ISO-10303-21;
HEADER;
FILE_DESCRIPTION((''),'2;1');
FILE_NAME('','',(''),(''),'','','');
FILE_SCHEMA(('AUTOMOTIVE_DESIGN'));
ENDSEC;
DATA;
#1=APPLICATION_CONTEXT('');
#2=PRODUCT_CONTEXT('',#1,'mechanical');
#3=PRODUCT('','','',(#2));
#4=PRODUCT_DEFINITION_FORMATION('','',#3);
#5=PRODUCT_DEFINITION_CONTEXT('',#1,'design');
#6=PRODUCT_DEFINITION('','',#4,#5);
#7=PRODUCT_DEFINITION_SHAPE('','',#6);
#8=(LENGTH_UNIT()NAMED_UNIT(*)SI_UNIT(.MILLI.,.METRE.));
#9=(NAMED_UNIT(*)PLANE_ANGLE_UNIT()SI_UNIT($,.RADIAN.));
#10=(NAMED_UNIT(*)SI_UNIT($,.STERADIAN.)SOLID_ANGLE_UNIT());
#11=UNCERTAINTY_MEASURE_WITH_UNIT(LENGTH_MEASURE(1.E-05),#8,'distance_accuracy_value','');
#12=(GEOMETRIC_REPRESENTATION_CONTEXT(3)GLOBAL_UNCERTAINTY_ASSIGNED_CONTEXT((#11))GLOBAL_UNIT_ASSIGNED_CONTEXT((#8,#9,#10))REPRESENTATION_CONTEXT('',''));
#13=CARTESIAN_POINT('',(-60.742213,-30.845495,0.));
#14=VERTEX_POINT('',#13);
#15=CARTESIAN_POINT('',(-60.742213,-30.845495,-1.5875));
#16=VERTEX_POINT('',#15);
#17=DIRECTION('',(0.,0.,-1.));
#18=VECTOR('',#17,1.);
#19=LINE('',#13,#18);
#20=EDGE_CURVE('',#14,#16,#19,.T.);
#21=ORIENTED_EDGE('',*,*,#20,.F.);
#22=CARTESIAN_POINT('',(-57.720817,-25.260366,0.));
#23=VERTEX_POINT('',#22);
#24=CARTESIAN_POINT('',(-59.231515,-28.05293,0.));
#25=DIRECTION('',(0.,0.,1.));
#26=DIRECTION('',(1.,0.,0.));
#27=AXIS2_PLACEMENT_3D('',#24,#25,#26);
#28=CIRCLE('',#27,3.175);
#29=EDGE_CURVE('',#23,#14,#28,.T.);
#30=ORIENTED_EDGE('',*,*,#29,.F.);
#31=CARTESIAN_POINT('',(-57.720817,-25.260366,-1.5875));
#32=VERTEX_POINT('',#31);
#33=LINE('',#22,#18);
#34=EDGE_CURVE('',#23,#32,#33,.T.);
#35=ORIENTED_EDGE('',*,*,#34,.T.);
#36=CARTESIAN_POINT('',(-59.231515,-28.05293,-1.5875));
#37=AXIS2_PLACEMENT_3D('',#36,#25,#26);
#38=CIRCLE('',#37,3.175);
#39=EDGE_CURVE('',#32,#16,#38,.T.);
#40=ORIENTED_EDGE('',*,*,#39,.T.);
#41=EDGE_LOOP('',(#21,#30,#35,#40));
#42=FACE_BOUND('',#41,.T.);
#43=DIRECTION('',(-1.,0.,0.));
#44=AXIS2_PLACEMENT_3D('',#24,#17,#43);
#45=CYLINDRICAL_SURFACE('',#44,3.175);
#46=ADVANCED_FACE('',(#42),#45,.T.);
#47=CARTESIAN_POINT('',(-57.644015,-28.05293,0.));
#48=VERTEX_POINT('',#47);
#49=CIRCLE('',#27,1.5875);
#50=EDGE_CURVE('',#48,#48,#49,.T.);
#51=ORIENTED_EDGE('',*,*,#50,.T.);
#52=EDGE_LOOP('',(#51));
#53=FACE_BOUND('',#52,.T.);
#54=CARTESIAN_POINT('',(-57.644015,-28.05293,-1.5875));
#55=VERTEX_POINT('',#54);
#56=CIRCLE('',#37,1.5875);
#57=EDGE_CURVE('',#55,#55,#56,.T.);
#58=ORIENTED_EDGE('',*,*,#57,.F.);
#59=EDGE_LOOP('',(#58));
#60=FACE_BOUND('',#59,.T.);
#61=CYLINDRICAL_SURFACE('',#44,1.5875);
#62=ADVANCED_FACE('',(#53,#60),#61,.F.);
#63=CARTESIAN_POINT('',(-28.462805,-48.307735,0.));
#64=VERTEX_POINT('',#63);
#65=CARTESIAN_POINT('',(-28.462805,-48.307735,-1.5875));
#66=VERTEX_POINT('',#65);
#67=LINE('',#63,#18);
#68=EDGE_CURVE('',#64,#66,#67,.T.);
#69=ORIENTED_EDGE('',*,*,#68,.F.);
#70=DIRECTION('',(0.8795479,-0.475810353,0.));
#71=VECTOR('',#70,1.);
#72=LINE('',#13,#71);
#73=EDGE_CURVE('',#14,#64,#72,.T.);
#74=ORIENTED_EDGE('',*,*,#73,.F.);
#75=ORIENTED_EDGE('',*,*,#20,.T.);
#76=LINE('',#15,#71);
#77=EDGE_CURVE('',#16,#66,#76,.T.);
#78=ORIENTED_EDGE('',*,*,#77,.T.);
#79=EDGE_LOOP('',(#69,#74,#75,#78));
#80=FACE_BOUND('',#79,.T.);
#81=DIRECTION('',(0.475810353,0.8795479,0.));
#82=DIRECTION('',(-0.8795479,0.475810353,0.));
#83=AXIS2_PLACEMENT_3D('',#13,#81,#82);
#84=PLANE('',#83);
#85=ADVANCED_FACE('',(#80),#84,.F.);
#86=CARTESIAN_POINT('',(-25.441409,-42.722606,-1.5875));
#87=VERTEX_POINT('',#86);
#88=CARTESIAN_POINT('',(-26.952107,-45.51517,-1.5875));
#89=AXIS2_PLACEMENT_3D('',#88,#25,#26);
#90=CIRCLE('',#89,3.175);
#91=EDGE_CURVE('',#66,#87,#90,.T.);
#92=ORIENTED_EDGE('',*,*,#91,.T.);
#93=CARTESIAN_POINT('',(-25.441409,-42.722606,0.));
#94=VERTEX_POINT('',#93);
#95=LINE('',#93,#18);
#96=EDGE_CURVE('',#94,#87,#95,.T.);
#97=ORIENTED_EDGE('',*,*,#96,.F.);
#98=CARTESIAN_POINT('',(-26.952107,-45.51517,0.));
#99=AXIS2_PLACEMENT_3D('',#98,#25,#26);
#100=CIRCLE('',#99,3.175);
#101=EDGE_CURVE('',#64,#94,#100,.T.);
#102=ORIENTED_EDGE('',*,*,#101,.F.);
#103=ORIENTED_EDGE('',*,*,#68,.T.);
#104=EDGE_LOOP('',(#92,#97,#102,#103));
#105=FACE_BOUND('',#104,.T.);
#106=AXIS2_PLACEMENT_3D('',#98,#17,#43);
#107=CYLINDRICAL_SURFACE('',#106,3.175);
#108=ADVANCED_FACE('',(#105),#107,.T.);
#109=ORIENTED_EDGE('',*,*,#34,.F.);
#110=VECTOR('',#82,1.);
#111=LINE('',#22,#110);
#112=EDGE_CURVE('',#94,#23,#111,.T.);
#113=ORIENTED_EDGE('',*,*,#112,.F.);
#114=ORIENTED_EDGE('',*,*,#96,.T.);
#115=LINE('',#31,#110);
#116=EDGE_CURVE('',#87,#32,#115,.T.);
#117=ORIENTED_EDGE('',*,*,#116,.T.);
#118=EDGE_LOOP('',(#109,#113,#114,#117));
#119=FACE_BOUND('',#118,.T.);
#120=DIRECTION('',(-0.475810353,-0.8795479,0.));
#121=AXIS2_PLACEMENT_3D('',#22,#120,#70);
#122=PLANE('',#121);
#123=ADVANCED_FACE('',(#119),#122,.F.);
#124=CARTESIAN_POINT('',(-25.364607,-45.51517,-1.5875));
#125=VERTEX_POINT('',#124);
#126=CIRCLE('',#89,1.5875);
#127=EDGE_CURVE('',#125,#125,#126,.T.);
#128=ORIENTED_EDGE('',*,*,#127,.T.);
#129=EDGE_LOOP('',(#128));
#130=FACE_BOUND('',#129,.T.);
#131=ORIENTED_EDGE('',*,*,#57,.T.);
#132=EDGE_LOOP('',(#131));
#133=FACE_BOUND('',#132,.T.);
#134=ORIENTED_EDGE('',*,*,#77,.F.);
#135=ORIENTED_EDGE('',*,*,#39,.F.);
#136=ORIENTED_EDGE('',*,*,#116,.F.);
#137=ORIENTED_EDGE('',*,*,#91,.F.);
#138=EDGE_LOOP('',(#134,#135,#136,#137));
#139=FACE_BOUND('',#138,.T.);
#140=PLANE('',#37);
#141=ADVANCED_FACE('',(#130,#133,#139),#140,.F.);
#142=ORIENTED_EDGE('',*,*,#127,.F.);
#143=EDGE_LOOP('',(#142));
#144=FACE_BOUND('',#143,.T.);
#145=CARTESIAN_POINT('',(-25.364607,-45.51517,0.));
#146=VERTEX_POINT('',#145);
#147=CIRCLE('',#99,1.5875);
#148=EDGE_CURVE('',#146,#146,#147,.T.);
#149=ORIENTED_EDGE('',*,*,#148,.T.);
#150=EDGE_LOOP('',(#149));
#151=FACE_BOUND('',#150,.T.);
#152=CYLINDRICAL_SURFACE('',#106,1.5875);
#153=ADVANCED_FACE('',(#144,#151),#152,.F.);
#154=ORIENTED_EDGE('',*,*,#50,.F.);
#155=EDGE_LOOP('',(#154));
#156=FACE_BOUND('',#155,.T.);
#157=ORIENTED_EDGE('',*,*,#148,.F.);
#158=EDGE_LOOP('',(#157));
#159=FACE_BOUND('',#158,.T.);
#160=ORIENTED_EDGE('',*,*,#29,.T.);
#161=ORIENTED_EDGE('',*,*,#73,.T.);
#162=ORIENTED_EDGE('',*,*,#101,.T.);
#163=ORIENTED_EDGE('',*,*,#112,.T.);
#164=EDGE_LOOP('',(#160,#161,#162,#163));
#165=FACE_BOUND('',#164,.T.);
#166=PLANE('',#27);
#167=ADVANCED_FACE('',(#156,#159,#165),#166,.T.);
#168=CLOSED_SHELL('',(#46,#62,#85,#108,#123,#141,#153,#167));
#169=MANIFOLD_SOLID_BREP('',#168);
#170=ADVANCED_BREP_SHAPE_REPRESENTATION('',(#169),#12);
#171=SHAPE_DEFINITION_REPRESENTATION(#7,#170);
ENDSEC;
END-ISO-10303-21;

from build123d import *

# Parameters (mm, degrees)
BOSS_EXTRUDE1_START = -1.5875
SKETCH1_R           = 1.5875
BOSS_EXTRUDE1_DEPTH = 1.5875


with BuildPart() as part:
    # Sketch1 → Boss-Extrude1 (new body)
    with BuildSketch(Plane.XY.offset(BOSS_EXTRUDE1_START)):
        with BuildLine():
            Line((-57.720817092, -25.260365648), (-25.441409162, -42.722605588))
            ThreePointArc((-25.441409162, -42.722605588), (-24.159542449, -47.025868039), (-28.462804901, -48.307734753))
            Line((-28.462804901, -48.307734753), (-60.742212831, -30.845494813))
            ThreePointArc((-60.742212831, -30.845494813), (-62.024079544, -26.542232361), (-57.720817092, -25.260365648))
        make_face()
        with Locations((-26.952107032, -45.51517017)):
            Circle(SKETCH1_R, mode=Mode.SUBTRACT)
        with Locations((-59.231514961, -28.052930231)):
            Circle(SKETCH1_R, mode=Mode.SUBTRACT)
    extrude(amount=BOSS_EXTRUDE1_DEPTH)


solid = part.part
